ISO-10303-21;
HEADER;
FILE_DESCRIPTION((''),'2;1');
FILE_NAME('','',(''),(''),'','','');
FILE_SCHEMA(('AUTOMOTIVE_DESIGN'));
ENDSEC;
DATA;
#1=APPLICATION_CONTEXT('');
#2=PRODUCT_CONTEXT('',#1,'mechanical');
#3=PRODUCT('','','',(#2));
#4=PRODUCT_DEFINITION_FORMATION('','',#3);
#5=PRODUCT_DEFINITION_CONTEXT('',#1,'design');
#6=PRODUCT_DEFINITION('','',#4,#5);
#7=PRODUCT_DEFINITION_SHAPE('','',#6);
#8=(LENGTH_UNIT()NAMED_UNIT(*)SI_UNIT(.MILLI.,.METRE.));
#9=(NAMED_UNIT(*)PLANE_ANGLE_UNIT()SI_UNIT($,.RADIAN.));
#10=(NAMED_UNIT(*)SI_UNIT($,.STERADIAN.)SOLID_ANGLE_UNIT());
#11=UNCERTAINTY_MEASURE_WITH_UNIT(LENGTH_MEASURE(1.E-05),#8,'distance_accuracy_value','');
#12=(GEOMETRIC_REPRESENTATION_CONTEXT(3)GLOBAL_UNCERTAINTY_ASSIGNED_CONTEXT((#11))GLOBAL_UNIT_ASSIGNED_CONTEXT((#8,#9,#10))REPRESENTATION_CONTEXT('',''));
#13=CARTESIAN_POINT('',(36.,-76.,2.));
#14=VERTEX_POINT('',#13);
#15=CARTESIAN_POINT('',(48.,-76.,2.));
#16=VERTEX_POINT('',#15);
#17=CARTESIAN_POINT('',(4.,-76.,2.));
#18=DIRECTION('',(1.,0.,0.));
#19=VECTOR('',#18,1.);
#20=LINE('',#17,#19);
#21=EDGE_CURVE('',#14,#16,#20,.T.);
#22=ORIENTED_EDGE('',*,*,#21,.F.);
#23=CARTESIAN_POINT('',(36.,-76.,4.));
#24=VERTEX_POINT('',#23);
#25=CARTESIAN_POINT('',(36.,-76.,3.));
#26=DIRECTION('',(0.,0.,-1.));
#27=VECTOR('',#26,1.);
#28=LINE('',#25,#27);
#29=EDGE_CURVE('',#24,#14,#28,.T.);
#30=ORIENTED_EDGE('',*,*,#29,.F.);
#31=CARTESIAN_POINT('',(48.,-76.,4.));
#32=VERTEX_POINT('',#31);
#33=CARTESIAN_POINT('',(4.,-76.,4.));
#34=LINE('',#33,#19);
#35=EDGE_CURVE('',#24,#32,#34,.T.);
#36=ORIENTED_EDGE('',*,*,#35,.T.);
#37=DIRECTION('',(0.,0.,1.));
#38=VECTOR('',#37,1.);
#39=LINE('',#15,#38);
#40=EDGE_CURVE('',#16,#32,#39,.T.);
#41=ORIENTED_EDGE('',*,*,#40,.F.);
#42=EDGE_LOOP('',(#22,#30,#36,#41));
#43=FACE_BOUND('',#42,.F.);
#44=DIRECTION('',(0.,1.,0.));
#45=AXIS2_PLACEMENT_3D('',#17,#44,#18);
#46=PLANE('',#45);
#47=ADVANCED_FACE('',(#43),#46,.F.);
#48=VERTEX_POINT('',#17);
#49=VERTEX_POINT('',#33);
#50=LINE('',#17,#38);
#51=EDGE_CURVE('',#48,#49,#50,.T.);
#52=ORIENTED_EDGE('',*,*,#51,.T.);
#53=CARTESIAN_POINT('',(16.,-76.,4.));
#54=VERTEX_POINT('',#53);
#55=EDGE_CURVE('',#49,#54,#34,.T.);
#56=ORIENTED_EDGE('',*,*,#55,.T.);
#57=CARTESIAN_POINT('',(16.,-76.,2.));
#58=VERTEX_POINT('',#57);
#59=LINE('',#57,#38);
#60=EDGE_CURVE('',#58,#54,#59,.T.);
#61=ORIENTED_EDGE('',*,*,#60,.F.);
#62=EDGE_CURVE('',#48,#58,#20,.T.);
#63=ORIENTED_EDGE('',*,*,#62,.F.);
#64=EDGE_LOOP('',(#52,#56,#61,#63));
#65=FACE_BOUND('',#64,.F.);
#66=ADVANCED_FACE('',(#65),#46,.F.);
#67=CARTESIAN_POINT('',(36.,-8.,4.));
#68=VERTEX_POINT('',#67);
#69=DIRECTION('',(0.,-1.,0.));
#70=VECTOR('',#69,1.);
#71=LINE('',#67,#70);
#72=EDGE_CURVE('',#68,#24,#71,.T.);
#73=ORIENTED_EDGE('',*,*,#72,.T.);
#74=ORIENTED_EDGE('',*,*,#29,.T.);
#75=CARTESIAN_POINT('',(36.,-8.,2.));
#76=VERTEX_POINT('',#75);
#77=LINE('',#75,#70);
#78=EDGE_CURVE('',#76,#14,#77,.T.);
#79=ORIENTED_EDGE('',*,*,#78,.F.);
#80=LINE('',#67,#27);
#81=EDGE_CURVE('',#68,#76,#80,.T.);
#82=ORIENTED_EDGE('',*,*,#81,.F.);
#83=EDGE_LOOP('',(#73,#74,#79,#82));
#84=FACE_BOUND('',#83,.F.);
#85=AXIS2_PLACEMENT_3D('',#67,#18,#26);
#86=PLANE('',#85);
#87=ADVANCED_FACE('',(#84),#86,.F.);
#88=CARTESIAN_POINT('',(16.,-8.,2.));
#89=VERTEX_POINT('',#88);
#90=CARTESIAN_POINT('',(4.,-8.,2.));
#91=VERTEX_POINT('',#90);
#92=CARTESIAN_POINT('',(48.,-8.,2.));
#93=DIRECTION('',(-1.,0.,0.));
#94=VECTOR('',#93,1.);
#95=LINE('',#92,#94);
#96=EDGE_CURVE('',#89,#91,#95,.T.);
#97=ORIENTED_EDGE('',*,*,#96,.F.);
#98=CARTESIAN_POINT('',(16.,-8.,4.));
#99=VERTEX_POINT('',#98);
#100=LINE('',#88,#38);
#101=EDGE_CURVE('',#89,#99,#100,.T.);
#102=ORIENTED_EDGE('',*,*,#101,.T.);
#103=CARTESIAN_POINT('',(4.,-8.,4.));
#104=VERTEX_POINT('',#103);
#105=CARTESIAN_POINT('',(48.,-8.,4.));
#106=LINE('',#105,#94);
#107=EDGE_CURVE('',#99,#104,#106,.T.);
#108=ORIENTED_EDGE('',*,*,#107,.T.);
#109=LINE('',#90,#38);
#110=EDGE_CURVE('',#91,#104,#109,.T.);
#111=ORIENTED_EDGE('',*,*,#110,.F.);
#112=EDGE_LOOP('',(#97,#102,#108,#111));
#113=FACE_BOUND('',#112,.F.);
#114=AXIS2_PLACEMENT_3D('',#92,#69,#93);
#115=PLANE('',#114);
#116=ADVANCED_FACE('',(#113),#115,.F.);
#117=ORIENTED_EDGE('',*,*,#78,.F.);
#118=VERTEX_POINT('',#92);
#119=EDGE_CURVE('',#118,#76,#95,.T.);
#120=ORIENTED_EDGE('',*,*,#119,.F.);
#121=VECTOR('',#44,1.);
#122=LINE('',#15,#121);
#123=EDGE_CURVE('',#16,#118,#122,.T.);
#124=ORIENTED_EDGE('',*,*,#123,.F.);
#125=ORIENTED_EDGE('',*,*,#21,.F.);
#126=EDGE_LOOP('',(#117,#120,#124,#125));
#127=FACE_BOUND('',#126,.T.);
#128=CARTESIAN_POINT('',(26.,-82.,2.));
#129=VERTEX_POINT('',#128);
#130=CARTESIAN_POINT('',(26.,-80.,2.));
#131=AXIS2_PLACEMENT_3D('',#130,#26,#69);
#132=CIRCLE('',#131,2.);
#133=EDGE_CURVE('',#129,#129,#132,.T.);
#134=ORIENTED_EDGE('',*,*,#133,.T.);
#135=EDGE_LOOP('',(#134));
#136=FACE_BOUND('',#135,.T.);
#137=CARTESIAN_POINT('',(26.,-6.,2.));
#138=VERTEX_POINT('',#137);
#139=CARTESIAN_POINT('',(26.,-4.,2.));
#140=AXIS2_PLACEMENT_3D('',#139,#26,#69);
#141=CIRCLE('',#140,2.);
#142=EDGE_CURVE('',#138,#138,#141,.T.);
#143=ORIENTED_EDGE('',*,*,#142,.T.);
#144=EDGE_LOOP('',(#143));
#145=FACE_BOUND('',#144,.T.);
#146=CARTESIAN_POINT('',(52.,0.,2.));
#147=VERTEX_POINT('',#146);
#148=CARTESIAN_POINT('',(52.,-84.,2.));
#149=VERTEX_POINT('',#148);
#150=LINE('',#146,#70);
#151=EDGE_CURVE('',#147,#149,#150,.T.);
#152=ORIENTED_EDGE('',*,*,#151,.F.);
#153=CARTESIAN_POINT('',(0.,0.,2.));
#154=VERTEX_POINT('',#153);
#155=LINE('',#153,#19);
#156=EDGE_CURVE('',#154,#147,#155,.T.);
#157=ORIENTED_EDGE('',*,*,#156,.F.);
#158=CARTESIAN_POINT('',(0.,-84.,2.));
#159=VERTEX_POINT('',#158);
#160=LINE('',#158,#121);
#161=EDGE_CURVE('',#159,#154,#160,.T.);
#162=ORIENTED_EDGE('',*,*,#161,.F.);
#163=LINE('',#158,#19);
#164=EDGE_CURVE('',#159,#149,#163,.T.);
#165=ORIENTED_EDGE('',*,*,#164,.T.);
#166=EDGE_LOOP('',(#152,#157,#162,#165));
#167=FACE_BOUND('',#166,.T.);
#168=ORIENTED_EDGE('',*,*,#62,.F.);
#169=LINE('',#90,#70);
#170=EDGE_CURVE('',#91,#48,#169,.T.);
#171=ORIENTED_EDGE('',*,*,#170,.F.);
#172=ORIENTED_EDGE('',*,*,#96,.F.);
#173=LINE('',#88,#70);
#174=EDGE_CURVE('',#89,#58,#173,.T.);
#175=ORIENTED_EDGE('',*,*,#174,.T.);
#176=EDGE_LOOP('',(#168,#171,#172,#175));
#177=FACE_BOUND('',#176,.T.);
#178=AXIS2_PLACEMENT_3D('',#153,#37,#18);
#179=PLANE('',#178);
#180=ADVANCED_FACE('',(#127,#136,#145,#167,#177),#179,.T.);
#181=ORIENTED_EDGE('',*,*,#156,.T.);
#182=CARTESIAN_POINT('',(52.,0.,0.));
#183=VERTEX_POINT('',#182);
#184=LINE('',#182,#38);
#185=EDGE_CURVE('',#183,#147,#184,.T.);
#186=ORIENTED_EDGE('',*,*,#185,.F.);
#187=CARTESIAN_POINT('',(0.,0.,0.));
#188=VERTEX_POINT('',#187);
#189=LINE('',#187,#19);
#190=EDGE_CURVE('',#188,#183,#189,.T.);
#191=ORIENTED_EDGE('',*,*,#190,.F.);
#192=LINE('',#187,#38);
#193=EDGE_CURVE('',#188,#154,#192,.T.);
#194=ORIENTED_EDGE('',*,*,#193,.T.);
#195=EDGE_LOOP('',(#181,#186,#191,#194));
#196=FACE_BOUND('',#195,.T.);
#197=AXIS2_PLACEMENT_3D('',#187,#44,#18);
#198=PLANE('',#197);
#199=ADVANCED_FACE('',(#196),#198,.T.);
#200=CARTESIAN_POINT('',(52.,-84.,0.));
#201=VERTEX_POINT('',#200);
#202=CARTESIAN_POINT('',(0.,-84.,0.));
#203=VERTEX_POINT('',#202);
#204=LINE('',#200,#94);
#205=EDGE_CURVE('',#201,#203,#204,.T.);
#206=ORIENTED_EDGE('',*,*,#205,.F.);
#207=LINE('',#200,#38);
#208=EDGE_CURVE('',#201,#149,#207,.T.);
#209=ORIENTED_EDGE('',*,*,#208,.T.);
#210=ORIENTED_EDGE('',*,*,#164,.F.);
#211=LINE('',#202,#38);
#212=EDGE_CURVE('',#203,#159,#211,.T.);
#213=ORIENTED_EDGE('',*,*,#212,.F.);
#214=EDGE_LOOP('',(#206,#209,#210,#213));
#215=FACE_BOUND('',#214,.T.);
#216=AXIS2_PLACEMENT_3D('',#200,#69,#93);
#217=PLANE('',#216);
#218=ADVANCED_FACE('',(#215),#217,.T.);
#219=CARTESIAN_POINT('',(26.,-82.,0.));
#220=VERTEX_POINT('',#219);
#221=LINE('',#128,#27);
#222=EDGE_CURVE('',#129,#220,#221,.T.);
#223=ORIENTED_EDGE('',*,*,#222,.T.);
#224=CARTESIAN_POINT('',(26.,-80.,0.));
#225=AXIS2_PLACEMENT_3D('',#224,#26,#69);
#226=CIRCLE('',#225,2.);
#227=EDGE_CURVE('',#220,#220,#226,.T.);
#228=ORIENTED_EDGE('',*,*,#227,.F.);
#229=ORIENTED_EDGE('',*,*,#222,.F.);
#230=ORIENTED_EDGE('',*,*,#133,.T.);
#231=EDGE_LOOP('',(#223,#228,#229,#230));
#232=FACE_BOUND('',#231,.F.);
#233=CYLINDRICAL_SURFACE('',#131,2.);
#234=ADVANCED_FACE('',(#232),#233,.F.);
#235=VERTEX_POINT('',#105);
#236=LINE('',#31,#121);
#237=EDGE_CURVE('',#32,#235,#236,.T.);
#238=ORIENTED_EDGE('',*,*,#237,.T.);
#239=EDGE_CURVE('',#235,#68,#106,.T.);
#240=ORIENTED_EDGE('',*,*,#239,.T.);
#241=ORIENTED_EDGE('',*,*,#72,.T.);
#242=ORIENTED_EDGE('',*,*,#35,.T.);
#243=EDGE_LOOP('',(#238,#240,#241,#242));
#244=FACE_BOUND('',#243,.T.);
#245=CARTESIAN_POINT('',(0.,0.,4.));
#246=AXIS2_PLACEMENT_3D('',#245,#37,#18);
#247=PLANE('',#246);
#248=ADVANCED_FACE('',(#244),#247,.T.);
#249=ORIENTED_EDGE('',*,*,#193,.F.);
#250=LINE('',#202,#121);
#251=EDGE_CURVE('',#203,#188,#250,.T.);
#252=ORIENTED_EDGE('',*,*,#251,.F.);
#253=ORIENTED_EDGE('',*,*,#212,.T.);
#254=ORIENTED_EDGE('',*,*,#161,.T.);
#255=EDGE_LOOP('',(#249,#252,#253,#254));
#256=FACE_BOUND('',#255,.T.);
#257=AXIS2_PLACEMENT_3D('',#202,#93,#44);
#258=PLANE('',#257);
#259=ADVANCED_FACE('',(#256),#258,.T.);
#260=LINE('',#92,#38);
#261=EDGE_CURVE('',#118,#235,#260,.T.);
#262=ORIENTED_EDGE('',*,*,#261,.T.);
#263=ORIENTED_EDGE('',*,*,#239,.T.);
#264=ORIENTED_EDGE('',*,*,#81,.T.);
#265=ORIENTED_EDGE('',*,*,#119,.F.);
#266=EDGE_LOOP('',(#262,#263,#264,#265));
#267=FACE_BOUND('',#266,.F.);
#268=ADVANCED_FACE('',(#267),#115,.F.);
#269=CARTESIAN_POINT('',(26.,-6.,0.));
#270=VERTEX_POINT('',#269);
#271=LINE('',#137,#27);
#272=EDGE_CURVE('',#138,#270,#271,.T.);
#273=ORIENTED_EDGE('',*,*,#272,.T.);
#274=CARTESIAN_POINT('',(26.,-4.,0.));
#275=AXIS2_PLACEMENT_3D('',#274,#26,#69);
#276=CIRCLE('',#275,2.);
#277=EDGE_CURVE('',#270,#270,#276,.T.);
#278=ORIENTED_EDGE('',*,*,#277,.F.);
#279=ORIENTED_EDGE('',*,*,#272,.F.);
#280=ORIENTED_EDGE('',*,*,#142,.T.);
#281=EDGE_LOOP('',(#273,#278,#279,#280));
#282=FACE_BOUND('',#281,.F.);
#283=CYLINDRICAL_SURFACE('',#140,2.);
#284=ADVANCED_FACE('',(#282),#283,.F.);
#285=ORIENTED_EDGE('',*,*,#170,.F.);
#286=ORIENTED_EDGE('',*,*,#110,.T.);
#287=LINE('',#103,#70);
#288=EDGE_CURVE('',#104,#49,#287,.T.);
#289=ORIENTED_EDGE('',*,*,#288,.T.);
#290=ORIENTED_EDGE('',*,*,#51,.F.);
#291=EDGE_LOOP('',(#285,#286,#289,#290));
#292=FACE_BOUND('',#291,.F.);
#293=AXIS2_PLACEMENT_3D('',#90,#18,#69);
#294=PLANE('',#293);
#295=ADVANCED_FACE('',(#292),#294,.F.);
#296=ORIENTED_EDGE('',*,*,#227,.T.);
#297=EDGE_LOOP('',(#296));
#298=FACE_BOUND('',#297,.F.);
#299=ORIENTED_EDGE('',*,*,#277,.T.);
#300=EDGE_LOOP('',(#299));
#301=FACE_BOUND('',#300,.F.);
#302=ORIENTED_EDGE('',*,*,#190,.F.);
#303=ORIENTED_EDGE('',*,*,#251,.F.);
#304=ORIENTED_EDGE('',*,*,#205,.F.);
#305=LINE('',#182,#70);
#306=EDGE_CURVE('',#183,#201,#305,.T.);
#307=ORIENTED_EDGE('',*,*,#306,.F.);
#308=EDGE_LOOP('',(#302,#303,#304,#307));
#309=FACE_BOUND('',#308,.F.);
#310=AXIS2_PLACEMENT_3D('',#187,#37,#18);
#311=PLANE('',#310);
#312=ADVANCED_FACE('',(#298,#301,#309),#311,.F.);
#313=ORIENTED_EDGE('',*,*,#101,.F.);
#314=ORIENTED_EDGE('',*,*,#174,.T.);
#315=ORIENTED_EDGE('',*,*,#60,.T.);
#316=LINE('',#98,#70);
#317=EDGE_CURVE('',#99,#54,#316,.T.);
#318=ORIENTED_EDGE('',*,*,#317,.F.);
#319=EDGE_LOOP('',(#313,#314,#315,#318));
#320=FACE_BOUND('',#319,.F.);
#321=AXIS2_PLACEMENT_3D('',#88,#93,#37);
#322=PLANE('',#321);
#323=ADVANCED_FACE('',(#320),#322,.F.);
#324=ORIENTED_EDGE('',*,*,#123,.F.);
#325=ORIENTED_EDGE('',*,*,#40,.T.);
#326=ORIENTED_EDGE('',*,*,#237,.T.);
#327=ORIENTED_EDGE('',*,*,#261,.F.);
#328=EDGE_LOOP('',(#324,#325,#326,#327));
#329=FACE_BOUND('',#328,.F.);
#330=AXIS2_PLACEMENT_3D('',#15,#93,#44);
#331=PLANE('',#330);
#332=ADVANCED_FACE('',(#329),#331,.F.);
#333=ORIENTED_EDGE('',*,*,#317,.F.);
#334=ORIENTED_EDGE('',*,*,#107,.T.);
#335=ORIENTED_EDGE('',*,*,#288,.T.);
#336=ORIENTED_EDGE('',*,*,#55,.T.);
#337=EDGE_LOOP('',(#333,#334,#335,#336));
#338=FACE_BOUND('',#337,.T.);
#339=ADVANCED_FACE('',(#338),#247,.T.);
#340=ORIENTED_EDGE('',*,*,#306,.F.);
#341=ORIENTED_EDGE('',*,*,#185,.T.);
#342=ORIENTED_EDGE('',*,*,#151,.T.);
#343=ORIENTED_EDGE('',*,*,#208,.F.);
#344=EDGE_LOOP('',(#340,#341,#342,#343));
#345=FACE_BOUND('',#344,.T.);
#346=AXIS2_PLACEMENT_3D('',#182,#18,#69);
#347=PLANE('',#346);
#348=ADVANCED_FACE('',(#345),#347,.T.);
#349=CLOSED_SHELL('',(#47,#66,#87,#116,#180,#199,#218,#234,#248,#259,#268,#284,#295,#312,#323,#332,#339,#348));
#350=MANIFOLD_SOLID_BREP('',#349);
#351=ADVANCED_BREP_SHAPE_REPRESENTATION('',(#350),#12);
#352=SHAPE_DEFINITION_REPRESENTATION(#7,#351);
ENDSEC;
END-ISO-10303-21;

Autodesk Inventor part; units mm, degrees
ref_plane "YZ Plane" through (0, 0, 0) normal (1, 0, 0) x (0, 1, 0)
ref_plane "XZ Plane" through (0, 0, 0) normal (0, 1, 0) x (-1, 0, 0)
ref_plane "XY Plane" through (0, 0, 0) normal (0, 0, 1) x (1, 0, 0)
sketch "Skizze1" plane through (0, 0, 0) normal (0, 0, 1) x (1, 0, 0)
  line L0 (0, 0) -> (52, 0)
  line L1 (52, 0) -> (52, -84)
  line L2 (52, -84) -> (0, -84)
  line L3 (0, -84) -> (0, 0)
  dimension "d0" = 52
  dimension "d1" = 84
extrude "Extrusion1" add sketch "Skizze1" along normal blind 2
sketch "Skizze2" plane through (0, 0, 2) normal (0, 0, 1) x (1, 0, 0)
  line L0 (48, -8) -> (4, -8)
  line L1 (4, -8) -> (4, -76)
  line L2 (4, -76) -> (48, -76)
  line L3 (48, -76) -> (48, -8)
  line L4 (52, 0) -> (0, 0) projected
  line L5 (52, -84) -> (52, 0) projected
  line L6 (0, -84) -> (52, -84) projected
  point P0 (26, -8)
  point P1 (26, 0)
  dimension "d4" = 4
  dimension "d5" = 8
  dimension "d6" = 8
extrude "Extrusion2" add sketch "Skizze2" along normal blind 2
sketch "Skizze3" plane through (4, -8, 2) normal (0, 1, 0) x (1, 0, 0)
  line L0 (48, 2) -> (-4, 2) projected
  line L1 (-4, 2) -> (-4, 0) projected
  line L2 (48, 0) -> (-4, 0) projected
  line L3 (48, 2) -> (48, 0) projected
  line L4 (44, -2) -> (0, -2) projected
  line L5 (32, 0) -> (12, 0)
  line L6 (12, 0) -> (12, -2)
  line L7 (12, -2) -> (32, -2)
  line L8 (32, -2) -> (32, 0)
  line L9 (44, 0) -> (44, -2) projected
  point P0 (44, -1)
  point P1 (32, -2)
  point P2 (12, 0)
  dimension "d9" = 20
  dimension "d10" = 12
extrude "Extrusion3" cut sketch "Skizze3" against normal through all contours L2 L8 L4 L6
sketch "Skizze4" plane through (0, 0, 2) normal (0, 0, 1) x (1, 0, 0)
  line L0 (52, 0) -> (0, 0) projected
  line L1 (0, -84) -> (52, -84) projected
  point P0 (26, -4)
  point P1 (26, -80)
  point P2 (26, 0)
  dimension "d20" = 4
  dimension "d21" = 4
hole "Bohrung1" at (26, -4, 2) at (26, -80, 2) direction (0, 0, -1) diameter 4 depth 2
equation "\"d6\" = d5"
equation "\"d21\" = d20"
properties part number "1011" material "Aluminum 6061-AHC"
